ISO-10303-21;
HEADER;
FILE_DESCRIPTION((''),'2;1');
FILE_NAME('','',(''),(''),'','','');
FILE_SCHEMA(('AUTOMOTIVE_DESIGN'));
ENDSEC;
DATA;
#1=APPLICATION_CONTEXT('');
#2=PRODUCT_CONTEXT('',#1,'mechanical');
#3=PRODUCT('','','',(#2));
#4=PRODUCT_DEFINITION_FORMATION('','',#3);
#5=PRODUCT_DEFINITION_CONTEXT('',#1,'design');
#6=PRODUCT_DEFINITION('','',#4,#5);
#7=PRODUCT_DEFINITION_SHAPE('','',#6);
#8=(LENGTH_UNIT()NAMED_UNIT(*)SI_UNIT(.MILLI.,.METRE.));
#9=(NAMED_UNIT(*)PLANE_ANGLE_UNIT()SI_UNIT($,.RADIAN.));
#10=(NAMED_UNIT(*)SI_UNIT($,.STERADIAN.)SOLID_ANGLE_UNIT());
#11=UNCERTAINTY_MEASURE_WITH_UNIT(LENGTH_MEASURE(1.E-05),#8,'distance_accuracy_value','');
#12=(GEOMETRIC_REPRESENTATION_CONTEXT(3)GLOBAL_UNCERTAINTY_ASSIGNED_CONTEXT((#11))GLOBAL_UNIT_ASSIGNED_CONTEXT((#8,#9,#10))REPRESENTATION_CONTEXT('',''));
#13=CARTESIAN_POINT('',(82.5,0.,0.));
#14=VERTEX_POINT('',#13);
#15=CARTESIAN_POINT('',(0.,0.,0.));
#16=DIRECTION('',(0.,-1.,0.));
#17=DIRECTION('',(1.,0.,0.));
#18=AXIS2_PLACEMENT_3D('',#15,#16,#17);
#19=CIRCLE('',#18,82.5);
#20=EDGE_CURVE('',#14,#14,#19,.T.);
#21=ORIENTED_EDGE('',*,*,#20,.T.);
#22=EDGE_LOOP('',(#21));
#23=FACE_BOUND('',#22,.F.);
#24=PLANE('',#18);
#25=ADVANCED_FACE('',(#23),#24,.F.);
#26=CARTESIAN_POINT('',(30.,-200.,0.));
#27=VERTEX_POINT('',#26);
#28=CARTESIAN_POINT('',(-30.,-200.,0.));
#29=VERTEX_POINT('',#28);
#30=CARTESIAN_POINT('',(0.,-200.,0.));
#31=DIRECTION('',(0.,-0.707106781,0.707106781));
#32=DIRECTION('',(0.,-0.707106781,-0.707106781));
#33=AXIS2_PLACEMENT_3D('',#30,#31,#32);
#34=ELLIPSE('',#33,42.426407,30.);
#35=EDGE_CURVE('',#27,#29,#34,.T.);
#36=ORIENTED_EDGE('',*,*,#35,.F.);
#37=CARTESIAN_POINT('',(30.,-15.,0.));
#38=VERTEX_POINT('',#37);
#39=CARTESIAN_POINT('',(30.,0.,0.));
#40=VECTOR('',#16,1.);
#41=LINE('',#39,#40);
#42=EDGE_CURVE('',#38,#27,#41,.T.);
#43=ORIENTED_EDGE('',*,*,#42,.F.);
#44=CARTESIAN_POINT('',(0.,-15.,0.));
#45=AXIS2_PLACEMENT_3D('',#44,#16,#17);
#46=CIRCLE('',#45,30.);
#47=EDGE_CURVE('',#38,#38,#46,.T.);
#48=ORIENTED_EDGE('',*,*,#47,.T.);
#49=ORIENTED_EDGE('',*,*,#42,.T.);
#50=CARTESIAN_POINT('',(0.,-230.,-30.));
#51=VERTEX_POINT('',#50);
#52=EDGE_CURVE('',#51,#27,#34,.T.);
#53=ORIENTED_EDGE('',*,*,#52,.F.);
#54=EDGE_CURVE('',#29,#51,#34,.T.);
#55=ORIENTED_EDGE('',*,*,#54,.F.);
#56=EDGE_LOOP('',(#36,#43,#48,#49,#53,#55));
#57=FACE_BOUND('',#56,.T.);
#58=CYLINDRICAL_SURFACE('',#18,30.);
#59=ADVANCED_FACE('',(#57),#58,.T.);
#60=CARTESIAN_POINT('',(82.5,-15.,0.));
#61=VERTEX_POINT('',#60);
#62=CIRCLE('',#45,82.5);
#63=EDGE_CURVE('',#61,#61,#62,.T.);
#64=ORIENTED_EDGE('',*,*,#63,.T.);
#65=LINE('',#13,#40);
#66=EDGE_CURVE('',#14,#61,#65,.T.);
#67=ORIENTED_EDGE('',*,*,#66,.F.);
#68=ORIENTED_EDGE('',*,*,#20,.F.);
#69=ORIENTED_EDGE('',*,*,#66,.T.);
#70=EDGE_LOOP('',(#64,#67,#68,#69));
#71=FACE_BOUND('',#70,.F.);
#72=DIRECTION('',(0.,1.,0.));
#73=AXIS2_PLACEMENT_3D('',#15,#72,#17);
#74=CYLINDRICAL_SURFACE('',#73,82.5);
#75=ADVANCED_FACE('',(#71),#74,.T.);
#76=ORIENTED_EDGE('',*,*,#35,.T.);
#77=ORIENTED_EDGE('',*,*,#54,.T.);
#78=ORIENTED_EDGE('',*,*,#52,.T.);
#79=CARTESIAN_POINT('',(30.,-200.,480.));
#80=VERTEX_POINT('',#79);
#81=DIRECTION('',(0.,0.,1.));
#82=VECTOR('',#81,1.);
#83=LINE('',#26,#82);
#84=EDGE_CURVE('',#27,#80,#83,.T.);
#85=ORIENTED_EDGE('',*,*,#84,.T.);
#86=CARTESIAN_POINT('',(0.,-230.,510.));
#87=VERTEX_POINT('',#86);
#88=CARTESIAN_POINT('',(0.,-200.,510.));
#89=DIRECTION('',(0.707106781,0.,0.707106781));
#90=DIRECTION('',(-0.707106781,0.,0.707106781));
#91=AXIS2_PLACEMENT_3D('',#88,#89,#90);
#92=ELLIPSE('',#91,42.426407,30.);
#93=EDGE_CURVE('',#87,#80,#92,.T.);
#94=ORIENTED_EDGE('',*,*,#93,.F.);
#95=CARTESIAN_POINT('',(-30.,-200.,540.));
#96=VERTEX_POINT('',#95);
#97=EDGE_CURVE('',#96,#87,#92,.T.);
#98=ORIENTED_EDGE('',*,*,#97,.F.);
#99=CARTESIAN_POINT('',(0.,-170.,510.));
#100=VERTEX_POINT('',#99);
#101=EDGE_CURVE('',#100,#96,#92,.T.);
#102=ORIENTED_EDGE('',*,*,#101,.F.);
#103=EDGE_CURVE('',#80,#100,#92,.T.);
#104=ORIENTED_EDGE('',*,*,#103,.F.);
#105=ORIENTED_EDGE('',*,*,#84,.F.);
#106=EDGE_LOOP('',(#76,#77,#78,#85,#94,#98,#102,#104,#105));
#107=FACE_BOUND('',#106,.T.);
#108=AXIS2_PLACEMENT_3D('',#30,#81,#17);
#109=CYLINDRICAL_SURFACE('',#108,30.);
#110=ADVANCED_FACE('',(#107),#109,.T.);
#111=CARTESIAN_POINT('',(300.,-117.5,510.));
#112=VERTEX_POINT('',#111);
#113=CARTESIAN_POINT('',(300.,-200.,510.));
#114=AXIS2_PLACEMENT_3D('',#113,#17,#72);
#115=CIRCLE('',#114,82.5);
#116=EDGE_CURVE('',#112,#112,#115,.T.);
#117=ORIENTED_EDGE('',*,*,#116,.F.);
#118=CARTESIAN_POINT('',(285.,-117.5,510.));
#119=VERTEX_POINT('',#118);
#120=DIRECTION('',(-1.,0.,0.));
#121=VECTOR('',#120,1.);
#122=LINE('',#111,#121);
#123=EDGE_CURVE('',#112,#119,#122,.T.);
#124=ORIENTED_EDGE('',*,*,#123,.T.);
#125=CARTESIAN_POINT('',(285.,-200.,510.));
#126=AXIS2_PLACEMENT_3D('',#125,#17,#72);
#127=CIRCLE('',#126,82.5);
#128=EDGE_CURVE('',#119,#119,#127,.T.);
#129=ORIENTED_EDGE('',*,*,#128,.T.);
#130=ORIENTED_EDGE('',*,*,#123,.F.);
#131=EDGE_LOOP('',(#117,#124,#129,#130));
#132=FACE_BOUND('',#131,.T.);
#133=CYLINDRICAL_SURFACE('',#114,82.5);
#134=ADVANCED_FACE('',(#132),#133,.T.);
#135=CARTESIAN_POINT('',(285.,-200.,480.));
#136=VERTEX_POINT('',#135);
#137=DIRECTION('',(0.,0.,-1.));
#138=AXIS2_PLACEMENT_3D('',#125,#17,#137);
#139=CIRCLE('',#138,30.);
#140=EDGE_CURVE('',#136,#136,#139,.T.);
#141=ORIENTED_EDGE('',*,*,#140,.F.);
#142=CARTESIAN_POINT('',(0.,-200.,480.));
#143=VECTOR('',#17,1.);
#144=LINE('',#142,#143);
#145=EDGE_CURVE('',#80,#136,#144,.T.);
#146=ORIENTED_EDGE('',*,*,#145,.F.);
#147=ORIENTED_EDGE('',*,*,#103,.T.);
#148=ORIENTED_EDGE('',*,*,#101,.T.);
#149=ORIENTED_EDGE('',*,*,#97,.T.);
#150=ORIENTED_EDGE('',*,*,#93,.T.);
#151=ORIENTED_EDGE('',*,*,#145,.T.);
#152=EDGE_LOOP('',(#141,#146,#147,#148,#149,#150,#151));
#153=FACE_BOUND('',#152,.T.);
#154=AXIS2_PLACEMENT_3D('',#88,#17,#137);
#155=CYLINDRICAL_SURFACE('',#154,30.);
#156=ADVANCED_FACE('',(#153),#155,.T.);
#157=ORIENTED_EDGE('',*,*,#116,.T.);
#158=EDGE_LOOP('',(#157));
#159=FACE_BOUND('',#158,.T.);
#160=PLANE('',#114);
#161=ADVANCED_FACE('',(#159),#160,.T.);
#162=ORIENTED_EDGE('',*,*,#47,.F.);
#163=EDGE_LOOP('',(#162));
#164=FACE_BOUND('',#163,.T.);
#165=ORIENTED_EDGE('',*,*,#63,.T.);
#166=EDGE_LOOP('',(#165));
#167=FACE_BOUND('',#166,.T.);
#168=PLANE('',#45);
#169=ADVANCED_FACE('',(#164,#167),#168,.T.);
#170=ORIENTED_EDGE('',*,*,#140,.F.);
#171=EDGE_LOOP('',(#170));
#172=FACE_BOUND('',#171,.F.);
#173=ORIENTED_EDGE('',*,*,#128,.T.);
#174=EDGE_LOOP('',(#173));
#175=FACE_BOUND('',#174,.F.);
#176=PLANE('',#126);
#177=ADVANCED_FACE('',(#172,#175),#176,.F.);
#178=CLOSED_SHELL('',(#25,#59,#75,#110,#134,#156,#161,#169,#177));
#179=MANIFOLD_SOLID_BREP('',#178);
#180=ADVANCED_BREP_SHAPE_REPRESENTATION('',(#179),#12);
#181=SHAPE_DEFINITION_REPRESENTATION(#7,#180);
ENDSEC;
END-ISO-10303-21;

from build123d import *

# Parameters (mm, degrees)
F0_R     = 30
F0_R_2   = 82.5
F5_DEPTH = 15
F6_R     = 82.5
F6_R_2   = 30
F7_DEPTH = 15


with BuildPart() as f4:
    # F4: sweep along a path in F1, F3
    with BuildLine(Plane.YZ) as f4_path:
        Line((0, 0), (-200, 0))
        Line((-200, 0), (-200, 510))
    with BuildLine(Plane.XZ.offset(200)) as f4_path_2:
        Line((0, 510), (300, 510))
    # F0 (on Front) → F4 (sweep)
    with BuildSketch(Plane.XZ):
        Circle(F0_R)
    sweep(path=f4_path.line + f4_path_2.line, transition=Transition.RIGHT)

    # F0 (on Front) → F5 (join)
    with BuildSketch(Plane.XZ):
        Circle(F0_R_2)
        Circle(F0_R, mode=Mode.SUBTRACT)
    extrude(amount=F5_DEPTH)

    # F6 (on face) → F7 (join)
    with BuildSketch(Plane.YZ.offset(300)):
        with Locations((-200, 510)):
            Circle(F6_R)
        with Locations((-200, 510)):
            Circle(F6_R_2, mode=Mode.SUBTRACT)
    extrude(amount=-F7_DEPTH)


solid = f4.part
